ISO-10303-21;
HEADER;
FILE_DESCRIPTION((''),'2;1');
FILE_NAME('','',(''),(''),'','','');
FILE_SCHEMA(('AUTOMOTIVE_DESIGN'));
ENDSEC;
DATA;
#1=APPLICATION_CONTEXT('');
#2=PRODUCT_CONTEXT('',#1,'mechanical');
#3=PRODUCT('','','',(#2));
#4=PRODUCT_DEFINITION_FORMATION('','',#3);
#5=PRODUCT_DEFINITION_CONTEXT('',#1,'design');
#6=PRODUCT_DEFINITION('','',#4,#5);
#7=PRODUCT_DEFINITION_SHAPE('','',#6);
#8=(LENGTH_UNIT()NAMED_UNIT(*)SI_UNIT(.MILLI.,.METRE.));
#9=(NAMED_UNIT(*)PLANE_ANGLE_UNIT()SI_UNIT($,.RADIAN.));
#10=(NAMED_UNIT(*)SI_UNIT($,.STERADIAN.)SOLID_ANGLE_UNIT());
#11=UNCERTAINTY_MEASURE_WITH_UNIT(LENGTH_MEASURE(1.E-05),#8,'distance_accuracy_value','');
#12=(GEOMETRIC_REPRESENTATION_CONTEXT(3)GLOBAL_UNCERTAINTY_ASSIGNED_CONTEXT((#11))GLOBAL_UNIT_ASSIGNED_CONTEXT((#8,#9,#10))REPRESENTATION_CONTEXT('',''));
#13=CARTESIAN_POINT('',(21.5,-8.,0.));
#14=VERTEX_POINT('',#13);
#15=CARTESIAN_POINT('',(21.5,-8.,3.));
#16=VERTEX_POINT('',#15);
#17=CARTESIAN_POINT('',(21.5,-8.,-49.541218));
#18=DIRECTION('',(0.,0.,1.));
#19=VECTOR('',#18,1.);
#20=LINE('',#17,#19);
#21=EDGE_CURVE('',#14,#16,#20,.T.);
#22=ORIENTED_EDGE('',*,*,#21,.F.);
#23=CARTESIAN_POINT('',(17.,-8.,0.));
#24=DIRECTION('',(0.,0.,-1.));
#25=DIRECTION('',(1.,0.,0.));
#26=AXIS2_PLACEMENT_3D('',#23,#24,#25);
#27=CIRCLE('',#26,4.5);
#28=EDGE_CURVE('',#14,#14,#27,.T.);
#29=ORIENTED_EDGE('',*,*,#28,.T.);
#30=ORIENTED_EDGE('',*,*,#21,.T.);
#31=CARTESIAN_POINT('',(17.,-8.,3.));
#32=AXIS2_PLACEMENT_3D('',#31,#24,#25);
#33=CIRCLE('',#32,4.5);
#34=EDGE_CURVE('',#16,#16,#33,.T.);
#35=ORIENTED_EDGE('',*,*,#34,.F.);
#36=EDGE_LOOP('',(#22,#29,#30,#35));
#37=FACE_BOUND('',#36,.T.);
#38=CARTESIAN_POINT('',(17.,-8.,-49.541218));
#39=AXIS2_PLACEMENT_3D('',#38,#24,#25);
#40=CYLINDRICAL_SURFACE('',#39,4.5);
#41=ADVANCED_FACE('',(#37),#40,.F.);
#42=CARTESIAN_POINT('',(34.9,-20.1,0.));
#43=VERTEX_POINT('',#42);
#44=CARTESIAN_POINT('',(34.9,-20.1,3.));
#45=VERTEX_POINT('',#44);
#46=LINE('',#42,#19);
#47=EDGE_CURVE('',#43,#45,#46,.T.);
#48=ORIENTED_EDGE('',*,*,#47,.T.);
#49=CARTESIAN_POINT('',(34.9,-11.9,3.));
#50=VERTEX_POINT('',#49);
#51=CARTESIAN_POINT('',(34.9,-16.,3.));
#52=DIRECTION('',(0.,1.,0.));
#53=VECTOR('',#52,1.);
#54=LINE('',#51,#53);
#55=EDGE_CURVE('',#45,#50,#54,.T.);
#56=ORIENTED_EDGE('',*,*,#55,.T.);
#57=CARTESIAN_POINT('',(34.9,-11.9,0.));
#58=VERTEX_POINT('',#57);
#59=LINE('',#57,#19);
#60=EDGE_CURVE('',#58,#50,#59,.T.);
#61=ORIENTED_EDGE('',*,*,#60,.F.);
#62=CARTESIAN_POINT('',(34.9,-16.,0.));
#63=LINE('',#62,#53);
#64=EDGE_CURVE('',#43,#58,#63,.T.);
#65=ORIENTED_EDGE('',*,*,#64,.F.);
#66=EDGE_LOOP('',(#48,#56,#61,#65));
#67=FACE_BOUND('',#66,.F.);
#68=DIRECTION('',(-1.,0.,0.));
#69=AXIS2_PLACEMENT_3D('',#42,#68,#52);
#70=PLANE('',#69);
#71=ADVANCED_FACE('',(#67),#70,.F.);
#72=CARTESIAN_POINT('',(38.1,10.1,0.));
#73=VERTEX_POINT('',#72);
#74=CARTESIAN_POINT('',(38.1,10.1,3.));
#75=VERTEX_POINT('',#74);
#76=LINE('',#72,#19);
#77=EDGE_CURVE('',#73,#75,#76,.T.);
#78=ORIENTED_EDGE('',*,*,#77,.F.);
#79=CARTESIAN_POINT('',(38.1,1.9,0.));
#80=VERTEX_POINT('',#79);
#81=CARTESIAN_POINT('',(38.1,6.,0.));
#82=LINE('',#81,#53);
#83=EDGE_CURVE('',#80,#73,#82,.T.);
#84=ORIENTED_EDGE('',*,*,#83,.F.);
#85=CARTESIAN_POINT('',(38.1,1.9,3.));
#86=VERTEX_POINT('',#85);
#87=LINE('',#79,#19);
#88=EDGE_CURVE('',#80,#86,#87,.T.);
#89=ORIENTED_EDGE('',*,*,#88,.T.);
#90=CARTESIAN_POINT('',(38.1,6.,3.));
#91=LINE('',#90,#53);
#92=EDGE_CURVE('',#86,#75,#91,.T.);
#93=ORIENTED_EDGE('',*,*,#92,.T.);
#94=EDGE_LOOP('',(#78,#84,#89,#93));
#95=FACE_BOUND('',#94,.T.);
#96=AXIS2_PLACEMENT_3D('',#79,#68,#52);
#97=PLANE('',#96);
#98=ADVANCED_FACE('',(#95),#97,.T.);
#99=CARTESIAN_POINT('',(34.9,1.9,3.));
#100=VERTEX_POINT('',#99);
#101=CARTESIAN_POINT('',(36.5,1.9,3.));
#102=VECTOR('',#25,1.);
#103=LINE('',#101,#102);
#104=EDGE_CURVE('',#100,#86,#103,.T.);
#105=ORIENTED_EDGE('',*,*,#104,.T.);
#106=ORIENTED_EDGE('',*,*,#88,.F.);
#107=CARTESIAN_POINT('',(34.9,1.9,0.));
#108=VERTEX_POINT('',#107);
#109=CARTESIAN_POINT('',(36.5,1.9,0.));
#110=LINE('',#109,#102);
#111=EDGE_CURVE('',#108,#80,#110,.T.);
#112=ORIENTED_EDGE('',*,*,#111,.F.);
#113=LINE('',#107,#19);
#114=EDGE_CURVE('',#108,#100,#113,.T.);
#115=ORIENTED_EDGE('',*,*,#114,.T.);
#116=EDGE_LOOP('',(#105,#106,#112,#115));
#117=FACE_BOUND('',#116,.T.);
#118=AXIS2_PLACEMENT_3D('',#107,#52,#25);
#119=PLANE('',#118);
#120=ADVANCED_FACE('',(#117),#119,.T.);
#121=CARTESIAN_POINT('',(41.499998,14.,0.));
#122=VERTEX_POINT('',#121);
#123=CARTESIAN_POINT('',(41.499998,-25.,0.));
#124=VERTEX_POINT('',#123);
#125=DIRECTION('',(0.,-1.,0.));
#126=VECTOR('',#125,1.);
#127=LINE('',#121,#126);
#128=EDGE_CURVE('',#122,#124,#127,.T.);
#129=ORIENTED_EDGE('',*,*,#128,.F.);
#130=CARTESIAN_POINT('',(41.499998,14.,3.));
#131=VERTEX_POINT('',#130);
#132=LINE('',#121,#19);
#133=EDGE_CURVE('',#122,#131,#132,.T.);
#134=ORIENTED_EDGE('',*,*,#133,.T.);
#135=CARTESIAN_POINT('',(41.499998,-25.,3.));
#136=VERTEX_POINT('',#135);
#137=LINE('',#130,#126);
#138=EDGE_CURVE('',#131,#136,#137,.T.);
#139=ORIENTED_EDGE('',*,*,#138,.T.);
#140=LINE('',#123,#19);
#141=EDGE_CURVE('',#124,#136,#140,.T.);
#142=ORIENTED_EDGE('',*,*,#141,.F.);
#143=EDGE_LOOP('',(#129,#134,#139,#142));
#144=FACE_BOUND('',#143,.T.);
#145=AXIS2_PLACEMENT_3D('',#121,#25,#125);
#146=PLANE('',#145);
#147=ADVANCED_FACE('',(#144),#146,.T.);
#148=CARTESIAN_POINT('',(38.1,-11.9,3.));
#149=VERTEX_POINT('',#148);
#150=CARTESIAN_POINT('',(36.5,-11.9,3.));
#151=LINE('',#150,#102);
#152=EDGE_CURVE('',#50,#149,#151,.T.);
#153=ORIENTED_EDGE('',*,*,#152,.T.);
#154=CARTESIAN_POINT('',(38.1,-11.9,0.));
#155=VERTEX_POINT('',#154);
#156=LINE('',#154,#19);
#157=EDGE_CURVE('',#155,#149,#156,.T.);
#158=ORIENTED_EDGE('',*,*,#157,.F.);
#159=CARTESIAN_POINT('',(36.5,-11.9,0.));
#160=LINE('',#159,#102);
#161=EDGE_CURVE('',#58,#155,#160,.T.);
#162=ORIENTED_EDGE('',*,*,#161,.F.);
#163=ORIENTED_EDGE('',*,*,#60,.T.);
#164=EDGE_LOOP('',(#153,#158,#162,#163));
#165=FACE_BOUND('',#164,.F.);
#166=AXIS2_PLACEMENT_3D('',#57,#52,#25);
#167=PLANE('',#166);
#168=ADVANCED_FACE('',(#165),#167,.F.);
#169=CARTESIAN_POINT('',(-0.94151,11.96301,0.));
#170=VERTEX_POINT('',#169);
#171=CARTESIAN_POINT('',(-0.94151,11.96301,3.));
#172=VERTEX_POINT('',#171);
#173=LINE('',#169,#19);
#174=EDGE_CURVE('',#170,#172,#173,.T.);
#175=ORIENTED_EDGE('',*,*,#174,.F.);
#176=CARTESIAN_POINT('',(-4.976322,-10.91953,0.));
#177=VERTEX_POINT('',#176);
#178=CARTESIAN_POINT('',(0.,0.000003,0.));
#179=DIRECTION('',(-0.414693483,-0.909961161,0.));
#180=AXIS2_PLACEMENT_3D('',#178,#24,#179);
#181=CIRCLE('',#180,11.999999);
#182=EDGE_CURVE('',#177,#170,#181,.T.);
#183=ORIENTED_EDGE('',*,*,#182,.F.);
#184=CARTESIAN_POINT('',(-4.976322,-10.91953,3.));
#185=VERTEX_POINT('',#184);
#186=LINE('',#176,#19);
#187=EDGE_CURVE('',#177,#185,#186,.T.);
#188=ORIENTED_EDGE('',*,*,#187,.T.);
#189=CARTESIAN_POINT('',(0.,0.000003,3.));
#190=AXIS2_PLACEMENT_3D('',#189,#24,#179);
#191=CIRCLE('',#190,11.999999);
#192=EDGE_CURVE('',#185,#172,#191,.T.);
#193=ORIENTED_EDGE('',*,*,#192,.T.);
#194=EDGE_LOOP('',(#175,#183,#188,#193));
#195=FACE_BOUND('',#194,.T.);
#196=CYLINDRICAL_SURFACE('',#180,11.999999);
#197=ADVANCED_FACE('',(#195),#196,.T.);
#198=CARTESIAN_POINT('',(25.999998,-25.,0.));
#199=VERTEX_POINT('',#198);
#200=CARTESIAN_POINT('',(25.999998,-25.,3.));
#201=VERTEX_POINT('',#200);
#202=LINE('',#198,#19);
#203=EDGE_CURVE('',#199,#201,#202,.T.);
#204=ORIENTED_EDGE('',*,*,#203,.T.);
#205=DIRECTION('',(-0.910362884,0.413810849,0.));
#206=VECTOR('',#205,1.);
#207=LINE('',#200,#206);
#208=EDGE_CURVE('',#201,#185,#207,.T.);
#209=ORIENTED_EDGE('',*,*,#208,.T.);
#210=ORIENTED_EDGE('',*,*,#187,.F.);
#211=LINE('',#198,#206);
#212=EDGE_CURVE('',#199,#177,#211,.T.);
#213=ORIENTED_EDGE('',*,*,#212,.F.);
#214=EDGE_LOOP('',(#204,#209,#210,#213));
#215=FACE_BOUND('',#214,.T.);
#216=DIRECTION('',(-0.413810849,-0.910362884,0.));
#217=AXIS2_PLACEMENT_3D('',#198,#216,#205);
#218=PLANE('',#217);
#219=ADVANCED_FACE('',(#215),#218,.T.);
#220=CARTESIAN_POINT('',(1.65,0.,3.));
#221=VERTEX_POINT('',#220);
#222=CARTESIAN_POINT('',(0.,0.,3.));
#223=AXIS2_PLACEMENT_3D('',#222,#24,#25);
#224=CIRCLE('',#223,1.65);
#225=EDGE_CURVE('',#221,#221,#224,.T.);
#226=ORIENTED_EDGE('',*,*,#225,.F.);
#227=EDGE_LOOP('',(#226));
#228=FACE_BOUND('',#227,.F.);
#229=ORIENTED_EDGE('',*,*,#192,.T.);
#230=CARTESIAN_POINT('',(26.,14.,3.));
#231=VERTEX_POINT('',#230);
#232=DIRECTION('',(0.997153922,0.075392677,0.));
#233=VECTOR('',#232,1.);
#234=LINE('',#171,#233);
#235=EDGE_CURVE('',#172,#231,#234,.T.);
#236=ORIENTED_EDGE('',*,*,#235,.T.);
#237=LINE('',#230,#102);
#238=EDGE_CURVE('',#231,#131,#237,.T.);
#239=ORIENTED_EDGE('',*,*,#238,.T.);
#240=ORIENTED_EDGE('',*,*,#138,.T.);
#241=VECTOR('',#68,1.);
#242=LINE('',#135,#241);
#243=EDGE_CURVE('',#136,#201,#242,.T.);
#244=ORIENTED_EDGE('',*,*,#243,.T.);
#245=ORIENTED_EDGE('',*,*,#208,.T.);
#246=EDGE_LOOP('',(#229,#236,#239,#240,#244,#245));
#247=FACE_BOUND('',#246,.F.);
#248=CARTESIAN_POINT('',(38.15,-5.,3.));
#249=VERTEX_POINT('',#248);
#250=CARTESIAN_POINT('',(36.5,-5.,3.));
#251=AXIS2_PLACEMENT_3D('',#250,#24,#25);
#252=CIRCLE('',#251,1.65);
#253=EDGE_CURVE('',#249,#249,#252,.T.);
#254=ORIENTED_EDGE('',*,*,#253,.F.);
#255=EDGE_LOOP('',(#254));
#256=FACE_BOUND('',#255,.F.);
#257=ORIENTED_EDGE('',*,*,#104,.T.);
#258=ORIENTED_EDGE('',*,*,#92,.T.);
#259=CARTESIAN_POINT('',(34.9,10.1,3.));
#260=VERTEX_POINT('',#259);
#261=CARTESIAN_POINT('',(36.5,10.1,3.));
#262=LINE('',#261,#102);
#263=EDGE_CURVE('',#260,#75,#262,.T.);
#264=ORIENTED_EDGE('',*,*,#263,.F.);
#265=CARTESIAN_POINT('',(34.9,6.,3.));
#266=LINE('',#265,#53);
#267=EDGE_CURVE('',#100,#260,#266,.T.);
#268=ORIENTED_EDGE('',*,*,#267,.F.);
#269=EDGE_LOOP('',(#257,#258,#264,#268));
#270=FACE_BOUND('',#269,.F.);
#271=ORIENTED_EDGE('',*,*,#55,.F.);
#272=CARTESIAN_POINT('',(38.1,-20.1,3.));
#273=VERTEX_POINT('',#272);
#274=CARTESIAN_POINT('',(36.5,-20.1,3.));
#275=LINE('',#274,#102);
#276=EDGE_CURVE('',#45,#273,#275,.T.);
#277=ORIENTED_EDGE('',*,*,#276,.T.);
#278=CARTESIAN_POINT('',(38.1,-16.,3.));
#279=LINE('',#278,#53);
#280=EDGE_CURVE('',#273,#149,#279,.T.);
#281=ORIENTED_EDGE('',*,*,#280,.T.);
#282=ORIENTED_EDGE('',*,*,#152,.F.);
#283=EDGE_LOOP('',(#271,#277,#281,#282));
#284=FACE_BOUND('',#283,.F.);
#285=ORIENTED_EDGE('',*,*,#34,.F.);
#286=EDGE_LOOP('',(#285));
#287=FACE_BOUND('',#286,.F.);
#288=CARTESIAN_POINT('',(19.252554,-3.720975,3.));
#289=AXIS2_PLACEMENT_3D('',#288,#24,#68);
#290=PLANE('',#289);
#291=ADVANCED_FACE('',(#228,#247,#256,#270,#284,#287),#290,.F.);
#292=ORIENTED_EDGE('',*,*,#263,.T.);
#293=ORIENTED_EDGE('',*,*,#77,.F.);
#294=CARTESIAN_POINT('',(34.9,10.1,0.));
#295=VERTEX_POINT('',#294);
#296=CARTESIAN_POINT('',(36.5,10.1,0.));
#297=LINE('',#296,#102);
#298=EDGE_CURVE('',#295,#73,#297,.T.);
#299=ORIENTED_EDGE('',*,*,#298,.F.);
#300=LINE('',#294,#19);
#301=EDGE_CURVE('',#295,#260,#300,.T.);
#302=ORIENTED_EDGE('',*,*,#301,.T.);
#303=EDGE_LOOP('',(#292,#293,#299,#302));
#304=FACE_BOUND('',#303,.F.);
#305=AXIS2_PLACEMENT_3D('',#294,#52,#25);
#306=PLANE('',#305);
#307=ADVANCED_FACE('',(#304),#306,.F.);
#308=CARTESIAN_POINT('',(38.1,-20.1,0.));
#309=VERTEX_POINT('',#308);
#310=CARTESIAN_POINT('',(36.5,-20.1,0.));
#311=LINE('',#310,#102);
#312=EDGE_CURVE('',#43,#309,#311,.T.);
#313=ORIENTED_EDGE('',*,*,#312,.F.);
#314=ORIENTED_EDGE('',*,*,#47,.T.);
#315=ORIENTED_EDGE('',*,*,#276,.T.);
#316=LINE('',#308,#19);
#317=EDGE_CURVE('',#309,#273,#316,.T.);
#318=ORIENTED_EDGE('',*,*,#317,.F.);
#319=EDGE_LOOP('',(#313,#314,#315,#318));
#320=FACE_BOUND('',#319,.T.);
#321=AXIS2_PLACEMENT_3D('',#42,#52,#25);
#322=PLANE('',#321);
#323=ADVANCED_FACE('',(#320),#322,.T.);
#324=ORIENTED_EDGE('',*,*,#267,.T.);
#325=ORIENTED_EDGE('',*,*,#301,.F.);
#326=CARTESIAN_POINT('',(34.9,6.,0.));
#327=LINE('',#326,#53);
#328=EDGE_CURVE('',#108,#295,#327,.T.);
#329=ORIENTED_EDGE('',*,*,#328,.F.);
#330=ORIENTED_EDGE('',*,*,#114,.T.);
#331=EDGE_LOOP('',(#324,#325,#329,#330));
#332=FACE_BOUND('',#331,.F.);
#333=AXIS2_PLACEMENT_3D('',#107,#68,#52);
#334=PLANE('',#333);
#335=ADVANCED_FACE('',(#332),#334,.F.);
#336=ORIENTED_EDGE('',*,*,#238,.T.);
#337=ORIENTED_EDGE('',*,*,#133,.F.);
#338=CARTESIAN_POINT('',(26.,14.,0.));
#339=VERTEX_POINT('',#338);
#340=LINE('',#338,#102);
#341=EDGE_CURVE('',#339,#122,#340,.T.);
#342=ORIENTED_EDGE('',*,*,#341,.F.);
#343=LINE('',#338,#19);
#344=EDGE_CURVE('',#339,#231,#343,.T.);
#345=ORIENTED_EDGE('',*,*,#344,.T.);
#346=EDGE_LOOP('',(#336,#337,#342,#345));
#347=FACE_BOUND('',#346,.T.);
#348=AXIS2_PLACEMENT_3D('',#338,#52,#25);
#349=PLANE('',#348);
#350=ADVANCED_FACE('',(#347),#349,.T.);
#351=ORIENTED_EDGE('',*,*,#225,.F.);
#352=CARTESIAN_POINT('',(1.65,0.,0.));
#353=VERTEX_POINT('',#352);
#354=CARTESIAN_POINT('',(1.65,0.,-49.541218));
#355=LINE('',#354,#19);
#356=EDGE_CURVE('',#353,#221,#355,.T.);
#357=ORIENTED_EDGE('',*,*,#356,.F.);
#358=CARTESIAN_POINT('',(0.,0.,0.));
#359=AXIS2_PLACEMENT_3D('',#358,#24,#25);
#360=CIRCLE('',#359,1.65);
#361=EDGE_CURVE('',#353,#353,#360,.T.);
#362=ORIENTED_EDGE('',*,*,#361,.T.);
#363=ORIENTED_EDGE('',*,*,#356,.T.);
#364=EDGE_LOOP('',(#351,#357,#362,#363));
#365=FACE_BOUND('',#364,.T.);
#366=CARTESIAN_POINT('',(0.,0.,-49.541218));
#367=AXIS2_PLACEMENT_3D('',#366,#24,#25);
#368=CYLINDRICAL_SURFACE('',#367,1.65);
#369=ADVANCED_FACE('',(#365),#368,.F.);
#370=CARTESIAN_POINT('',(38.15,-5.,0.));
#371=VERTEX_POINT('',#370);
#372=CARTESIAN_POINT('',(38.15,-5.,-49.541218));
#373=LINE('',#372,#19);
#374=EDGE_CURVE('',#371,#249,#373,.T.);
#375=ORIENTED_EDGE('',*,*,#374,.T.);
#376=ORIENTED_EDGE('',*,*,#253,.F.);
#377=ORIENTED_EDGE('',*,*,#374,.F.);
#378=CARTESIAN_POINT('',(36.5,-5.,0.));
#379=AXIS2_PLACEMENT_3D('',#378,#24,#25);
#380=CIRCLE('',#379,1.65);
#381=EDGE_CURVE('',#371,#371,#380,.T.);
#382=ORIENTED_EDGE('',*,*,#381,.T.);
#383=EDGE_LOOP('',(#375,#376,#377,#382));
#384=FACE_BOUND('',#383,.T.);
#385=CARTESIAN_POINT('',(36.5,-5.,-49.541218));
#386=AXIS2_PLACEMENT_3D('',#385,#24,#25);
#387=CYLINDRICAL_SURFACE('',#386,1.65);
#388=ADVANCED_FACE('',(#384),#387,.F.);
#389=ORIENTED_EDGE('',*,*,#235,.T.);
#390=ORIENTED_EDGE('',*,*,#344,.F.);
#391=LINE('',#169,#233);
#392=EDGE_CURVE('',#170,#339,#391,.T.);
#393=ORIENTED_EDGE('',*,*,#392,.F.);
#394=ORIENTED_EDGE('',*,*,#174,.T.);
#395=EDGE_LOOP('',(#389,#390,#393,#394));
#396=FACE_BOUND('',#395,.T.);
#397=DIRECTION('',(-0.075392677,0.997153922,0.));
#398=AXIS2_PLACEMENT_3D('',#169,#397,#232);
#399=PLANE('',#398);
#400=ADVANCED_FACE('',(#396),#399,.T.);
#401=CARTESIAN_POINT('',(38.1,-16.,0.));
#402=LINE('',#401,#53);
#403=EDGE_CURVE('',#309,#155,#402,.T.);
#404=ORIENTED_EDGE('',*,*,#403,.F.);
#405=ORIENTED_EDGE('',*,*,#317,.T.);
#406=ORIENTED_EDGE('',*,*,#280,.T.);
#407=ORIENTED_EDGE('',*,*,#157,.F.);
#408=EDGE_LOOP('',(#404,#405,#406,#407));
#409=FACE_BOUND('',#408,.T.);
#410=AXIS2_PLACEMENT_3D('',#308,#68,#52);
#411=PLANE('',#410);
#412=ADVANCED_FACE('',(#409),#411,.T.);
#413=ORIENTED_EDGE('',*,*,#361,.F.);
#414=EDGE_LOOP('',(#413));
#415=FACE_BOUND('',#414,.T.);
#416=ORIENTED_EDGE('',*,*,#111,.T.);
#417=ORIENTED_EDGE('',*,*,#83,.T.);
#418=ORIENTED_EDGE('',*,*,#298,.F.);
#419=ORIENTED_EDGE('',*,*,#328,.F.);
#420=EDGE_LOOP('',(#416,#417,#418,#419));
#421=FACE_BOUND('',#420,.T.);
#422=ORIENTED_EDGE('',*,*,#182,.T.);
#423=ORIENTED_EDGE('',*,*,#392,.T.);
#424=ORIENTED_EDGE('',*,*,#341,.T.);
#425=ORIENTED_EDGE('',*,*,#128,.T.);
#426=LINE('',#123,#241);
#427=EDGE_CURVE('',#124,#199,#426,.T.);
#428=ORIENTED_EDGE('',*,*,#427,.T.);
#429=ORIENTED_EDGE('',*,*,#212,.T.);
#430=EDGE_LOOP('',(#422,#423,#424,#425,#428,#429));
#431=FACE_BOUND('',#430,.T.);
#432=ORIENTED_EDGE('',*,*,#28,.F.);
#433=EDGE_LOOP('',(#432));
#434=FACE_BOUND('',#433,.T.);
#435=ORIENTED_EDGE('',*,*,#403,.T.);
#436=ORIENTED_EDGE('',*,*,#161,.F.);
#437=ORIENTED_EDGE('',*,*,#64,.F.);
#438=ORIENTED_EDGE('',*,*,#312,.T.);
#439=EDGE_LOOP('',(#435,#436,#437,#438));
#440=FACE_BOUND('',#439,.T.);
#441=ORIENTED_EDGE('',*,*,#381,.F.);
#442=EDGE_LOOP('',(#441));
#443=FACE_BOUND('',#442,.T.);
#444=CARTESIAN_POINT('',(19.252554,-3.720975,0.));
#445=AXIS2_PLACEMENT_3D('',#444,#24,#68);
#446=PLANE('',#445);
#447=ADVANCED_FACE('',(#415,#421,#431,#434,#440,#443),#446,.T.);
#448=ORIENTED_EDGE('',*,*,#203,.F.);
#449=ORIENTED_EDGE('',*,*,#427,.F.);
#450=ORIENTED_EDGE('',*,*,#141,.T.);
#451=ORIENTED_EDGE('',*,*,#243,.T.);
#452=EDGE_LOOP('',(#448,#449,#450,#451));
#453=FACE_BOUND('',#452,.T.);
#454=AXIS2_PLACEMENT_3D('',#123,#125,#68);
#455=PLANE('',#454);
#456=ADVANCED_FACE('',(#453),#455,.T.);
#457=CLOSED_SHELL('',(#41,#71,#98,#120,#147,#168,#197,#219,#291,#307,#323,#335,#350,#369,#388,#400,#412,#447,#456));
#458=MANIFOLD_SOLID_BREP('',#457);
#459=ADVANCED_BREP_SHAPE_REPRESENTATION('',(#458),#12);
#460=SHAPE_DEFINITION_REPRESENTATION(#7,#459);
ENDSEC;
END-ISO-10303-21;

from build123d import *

# Parameters (mm, degrees)
ESKIZ_KONTUR_W        = 3.2
ESKIZ_KONTUR_H        = 8.2
PLASTINA_DEPTH        = 3
OTVERSTIYA_DEPTH      = 49.541218109
OTVERSTIYA_DEPTH_BACK = 49.541218109
ESKIZ_OTVERSTIYA_R    = 4.5
ESKIZ_OTVERSTIYA_R_2  = 1.65


with BuildPart() as part:
    # Eskiz_kontur → Plastina (new body)
    with BuildSketch(Plane.XY):
        with BuildLine():
            Line((41.499998426, -24.999999723), (25.999998426, -24.999999723))
            Line((25.999998426, -24.999999723), (-4.976321574, -10.919529723))
            ThreePointArc((-4.976321574, -10.919529723), (-11.817691954, 2.083782335), (-0.94151, 11.96301))
            Line((-0.94151, 11.96301), (26, 14))
            Line((26, 14), (41.499998426, 14))
            Line((41.499998426, 14), (41.499998426, -24.999999723))
        make_face()
        with Locations((36.5, -16)):
            Rectangle(ESKIZ_KONTUR_W, ESKIZ_KONTUR_H, mode=Mode.SUBTRACT)
        with Locations((36.5, 6)):
            Rectangle(ESKIZ_KONTUR_W, ESKIZ_KONTUR_H, mode=Mode.SUBTRACT)
    extrude(amount=PLASTINA_DEPTH)

    # Eskiz_otverstiya → Otverstiya (cut, two sides: drawn at the far end of the back side and taken through both)
    with BuildSketch(Plane.XY.offset(-OTVERSTIYA_DEPTH_BACK)):
        with Locations((17, -8)):
            Circle(ESKIZ_OTVERSTIYA_R)
        Circle(ESKIZ_OTVERSTIYA_R_2)
        with Locations((36.5, -5)):
            Circle(ESKIZ_OTVERSTIYA_R_2)
    extrude(amount=OTVERSTIYA_DEPTH + OTVERSTIYA_DEPTH_BACK, mode=Mode.SUBTRACT)


solid = part.part
